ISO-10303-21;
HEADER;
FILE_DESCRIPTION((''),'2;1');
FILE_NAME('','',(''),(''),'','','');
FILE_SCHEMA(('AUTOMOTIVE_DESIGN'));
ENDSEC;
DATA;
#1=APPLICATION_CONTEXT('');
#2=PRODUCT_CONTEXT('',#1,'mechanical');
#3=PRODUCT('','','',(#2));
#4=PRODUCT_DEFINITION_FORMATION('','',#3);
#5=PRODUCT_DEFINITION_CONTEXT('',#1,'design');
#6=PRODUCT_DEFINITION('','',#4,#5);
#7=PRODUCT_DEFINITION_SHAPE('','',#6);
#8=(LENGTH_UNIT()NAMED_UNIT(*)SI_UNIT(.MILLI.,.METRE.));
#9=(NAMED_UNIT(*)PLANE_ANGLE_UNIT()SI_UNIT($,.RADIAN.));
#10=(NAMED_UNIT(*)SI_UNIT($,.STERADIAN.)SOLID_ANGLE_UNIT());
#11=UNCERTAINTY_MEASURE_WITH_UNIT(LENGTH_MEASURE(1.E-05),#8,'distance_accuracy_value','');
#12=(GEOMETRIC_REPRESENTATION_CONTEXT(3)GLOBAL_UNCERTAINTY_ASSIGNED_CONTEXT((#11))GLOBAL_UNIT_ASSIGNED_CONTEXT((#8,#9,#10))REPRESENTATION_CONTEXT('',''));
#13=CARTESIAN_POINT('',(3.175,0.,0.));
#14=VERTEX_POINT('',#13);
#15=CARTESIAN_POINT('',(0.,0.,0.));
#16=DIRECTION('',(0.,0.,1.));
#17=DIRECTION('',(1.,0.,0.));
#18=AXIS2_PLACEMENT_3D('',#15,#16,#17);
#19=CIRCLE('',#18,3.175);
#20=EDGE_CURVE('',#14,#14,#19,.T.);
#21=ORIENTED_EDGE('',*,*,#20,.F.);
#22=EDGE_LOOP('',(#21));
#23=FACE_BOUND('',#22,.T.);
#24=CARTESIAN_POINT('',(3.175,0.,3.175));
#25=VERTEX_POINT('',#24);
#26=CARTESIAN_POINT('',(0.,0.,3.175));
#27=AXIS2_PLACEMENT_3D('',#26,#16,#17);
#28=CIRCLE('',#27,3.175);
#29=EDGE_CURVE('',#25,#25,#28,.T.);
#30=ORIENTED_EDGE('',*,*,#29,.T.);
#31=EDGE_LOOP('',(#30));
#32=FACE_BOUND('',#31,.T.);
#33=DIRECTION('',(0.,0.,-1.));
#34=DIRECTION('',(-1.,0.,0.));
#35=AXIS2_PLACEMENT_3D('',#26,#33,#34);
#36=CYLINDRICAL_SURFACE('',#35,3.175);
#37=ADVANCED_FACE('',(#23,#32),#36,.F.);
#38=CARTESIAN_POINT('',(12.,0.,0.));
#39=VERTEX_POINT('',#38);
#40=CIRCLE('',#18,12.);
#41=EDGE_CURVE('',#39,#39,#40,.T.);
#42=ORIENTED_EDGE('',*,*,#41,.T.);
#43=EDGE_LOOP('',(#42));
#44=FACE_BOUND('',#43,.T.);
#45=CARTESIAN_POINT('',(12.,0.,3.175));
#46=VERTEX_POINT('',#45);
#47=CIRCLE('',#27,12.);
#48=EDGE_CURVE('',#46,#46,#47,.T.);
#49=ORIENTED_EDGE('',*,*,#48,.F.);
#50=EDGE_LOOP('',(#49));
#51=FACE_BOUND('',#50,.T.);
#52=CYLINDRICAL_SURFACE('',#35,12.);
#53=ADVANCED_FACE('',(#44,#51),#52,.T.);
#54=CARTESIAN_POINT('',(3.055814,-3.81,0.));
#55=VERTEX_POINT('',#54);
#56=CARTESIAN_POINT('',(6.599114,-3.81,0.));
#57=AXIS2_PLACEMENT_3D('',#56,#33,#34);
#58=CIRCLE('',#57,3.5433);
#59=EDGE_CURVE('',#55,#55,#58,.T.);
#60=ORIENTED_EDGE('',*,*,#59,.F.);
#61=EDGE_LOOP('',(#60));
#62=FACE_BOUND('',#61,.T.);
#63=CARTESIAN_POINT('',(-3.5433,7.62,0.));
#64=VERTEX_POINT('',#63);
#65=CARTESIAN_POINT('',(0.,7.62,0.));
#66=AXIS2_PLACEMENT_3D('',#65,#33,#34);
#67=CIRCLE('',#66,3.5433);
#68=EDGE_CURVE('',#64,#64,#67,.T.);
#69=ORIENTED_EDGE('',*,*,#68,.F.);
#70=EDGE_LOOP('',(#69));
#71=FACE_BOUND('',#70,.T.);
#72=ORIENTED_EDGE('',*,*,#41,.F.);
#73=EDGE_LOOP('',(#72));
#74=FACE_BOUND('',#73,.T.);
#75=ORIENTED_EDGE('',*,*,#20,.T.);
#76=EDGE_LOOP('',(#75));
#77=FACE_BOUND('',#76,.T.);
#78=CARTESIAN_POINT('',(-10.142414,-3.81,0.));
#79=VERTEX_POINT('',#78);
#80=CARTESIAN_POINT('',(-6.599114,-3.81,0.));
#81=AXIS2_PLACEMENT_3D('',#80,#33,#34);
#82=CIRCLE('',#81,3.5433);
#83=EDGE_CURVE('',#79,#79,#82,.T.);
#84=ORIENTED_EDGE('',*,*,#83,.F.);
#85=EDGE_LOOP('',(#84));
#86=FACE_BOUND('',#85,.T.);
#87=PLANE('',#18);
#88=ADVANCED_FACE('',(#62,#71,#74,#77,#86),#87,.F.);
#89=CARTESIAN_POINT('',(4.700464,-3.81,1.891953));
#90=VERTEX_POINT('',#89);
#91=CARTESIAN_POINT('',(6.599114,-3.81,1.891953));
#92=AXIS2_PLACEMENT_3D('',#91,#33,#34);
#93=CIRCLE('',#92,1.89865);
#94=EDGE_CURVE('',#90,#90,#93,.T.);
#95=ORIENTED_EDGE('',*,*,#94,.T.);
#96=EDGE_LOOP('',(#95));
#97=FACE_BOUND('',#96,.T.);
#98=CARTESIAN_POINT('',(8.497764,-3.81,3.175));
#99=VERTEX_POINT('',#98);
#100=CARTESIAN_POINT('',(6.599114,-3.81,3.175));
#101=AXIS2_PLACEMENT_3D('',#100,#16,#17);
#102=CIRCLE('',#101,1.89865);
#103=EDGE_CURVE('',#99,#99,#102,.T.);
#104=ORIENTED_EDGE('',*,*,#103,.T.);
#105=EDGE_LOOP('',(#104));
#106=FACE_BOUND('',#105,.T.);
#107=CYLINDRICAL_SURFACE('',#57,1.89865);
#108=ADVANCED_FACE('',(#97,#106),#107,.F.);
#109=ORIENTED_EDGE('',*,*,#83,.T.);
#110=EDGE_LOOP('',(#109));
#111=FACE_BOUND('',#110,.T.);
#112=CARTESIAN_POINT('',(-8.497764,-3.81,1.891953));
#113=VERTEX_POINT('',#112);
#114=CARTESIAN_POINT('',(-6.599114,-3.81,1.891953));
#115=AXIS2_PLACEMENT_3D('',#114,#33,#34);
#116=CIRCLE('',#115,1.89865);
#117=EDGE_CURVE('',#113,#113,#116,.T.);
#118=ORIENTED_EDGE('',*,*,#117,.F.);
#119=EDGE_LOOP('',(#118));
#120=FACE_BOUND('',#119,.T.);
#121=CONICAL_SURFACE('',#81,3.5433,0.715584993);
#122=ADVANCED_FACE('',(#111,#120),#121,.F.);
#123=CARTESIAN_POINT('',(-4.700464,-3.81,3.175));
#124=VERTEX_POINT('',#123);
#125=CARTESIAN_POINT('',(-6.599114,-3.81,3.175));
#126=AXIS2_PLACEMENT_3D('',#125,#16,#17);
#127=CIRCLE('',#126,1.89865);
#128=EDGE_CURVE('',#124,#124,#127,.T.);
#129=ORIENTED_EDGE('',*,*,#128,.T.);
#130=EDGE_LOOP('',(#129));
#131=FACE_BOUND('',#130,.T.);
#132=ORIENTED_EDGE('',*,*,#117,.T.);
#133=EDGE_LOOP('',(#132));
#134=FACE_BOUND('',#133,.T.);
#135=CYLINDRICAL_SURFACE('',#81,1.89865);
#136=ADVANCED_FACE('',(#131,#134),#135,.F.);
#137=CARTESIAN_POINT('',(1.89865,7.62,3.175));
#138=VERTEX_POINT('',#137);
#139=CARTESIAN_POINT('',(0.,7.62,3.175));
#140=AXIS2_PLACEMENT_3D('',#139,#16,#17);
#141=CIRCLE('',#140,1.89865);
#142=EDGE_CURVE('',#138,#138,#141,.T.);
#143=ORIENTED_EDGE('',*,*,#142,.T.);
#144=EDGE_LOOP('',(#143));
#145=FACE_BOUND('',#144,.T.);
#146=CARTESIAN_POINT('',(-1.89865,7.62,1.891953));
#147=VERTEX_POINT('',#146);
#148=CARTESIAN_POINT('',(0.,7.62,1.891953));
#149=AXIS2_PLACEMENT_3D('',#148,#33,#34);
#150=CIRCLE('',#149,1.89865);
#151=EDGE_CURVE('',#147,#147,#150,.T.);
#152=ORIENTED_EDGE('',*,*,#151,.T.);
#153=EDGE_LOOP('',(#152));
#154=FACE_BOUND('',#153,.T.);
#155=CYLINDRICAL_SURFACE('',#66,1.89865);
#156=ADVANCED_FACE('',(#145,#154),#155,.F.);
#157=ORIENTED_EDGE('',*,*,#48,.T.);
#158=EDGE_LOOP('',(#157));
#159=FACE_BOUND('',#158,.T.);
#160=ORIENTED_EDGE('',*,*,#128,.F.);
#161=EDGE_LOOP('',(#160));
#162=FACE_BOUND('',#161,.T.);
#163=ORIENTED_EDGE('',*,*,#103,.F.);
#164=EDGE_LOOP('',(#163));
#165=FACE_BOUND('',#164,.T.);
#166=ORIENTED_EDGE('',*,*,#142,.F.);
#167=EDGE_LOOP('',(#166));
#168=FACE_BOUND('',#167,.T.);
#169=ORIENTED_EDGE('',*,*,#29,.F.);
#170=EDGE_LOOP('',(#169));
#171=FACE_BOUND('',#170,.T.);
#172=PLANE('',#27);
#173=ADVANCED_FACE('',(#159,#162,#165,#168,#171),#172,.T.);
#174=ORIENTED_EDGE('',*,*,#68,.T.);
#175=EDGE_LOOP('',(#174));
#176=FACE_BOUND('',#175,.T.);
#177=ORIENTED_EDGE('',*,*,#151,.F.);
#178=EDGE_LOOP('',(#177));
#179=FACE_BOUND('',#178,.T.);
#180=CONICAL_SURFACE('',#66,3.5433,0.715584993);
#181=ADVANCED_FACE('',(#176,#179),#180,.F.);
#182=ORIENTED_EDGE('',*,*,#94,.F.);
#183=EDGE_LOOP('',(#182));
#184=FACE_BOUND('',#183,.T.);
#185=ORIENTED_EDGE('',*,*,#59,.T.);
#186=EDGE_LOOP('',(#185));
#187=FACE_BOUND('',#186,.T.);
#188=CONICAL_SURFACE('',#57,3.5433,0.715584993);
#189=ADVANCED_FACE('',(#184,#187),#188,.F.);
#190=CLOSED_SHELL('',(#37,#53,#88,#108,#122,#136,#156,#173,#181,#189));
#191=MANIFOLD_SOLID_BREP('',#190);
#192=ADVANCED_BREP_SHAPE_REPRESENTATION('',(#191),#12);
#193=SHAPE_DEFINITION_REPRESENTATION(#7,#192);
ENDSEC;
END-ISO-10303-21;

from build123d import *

# Parameters (mm, degrees)
SKETCH1_R                                      = 12
SKETCH1_R_2                                    = 3.175
BOSS_EXTRUDE1_DEPTH                            = 3.175
CSK_FOR_6_FLAT_HEAD_MACHINE_SCREW1_D           = 3.7973
CSK_FOR_6_FLAT_HEAD_MACHINE_SCREW1_DEPTH       = 10.973
CSK_FOR_6_FLAT_HEAD_MACHINE_SCREW1_CSINK_D     = 7.0866
CSK_FOR_6_FLAT_HEAD_MACHINE_SCREW1_CSINK_ANGLE = 82
CSK_FOR_6_FLAT_HEAD_MACHINE_SCREW1_TIP         = 1.140824014


with BuildPart() as part:
    # Sketch1 → Boss-Extrude1 (new body)
    with BuildSketch(Plane.XY):
        Circle(SKETCH1_R)
        Circle(SKETCH1_R_2, mode=Mode.SUBTRACT)
    extrude(amount=BOSS_EXTRUDE1_DEPTH)

    # CSK for #6 Flat Head Machine Screw1
    with Locations(Plane(origin=(0, 0, 0), x_dir=(-1, 0, 0), z_dir=(0, 0, -1))):
        with Locations((0, 7.62), (-6.599113577, -3.81), (6.599113577, -3.81)):
            CounterSinkHole(CSK_FOR_6_FLAT_HEAD_MACHINE_SCREW1_D / 2, CSK_FOR_6_FLAT_HEAD_MACHINE_SCREW1_CSINK_D / 2, depth=CSK_FOR_6_FLAT_HEAD_MACHINE_SCREW1_DEPTH, counter_sink_angle=CSK_FOR_6_FLAT_HEAD_MACHINE_SCREW1_CSINK_ANGLE)
            with Locations((0, 0, -(CSK_FOR_6_FLAT_HEAD_MACHINE_SCREW1_DEPTH + CSK_FOR_6_FLAT_HEAD_MACHINE_SCREW1_TIP / 2))):  # 118° drill point
                Cone(0, CSK_FOR_6_FLAT_HEAD_MACHINE_SCREW1_D / 2, CSK_FOR_6_FLAT_HEAD_MACHINE_SCREW1_TIP, mode=Mode.SUBTRACT)


solid = part.part
